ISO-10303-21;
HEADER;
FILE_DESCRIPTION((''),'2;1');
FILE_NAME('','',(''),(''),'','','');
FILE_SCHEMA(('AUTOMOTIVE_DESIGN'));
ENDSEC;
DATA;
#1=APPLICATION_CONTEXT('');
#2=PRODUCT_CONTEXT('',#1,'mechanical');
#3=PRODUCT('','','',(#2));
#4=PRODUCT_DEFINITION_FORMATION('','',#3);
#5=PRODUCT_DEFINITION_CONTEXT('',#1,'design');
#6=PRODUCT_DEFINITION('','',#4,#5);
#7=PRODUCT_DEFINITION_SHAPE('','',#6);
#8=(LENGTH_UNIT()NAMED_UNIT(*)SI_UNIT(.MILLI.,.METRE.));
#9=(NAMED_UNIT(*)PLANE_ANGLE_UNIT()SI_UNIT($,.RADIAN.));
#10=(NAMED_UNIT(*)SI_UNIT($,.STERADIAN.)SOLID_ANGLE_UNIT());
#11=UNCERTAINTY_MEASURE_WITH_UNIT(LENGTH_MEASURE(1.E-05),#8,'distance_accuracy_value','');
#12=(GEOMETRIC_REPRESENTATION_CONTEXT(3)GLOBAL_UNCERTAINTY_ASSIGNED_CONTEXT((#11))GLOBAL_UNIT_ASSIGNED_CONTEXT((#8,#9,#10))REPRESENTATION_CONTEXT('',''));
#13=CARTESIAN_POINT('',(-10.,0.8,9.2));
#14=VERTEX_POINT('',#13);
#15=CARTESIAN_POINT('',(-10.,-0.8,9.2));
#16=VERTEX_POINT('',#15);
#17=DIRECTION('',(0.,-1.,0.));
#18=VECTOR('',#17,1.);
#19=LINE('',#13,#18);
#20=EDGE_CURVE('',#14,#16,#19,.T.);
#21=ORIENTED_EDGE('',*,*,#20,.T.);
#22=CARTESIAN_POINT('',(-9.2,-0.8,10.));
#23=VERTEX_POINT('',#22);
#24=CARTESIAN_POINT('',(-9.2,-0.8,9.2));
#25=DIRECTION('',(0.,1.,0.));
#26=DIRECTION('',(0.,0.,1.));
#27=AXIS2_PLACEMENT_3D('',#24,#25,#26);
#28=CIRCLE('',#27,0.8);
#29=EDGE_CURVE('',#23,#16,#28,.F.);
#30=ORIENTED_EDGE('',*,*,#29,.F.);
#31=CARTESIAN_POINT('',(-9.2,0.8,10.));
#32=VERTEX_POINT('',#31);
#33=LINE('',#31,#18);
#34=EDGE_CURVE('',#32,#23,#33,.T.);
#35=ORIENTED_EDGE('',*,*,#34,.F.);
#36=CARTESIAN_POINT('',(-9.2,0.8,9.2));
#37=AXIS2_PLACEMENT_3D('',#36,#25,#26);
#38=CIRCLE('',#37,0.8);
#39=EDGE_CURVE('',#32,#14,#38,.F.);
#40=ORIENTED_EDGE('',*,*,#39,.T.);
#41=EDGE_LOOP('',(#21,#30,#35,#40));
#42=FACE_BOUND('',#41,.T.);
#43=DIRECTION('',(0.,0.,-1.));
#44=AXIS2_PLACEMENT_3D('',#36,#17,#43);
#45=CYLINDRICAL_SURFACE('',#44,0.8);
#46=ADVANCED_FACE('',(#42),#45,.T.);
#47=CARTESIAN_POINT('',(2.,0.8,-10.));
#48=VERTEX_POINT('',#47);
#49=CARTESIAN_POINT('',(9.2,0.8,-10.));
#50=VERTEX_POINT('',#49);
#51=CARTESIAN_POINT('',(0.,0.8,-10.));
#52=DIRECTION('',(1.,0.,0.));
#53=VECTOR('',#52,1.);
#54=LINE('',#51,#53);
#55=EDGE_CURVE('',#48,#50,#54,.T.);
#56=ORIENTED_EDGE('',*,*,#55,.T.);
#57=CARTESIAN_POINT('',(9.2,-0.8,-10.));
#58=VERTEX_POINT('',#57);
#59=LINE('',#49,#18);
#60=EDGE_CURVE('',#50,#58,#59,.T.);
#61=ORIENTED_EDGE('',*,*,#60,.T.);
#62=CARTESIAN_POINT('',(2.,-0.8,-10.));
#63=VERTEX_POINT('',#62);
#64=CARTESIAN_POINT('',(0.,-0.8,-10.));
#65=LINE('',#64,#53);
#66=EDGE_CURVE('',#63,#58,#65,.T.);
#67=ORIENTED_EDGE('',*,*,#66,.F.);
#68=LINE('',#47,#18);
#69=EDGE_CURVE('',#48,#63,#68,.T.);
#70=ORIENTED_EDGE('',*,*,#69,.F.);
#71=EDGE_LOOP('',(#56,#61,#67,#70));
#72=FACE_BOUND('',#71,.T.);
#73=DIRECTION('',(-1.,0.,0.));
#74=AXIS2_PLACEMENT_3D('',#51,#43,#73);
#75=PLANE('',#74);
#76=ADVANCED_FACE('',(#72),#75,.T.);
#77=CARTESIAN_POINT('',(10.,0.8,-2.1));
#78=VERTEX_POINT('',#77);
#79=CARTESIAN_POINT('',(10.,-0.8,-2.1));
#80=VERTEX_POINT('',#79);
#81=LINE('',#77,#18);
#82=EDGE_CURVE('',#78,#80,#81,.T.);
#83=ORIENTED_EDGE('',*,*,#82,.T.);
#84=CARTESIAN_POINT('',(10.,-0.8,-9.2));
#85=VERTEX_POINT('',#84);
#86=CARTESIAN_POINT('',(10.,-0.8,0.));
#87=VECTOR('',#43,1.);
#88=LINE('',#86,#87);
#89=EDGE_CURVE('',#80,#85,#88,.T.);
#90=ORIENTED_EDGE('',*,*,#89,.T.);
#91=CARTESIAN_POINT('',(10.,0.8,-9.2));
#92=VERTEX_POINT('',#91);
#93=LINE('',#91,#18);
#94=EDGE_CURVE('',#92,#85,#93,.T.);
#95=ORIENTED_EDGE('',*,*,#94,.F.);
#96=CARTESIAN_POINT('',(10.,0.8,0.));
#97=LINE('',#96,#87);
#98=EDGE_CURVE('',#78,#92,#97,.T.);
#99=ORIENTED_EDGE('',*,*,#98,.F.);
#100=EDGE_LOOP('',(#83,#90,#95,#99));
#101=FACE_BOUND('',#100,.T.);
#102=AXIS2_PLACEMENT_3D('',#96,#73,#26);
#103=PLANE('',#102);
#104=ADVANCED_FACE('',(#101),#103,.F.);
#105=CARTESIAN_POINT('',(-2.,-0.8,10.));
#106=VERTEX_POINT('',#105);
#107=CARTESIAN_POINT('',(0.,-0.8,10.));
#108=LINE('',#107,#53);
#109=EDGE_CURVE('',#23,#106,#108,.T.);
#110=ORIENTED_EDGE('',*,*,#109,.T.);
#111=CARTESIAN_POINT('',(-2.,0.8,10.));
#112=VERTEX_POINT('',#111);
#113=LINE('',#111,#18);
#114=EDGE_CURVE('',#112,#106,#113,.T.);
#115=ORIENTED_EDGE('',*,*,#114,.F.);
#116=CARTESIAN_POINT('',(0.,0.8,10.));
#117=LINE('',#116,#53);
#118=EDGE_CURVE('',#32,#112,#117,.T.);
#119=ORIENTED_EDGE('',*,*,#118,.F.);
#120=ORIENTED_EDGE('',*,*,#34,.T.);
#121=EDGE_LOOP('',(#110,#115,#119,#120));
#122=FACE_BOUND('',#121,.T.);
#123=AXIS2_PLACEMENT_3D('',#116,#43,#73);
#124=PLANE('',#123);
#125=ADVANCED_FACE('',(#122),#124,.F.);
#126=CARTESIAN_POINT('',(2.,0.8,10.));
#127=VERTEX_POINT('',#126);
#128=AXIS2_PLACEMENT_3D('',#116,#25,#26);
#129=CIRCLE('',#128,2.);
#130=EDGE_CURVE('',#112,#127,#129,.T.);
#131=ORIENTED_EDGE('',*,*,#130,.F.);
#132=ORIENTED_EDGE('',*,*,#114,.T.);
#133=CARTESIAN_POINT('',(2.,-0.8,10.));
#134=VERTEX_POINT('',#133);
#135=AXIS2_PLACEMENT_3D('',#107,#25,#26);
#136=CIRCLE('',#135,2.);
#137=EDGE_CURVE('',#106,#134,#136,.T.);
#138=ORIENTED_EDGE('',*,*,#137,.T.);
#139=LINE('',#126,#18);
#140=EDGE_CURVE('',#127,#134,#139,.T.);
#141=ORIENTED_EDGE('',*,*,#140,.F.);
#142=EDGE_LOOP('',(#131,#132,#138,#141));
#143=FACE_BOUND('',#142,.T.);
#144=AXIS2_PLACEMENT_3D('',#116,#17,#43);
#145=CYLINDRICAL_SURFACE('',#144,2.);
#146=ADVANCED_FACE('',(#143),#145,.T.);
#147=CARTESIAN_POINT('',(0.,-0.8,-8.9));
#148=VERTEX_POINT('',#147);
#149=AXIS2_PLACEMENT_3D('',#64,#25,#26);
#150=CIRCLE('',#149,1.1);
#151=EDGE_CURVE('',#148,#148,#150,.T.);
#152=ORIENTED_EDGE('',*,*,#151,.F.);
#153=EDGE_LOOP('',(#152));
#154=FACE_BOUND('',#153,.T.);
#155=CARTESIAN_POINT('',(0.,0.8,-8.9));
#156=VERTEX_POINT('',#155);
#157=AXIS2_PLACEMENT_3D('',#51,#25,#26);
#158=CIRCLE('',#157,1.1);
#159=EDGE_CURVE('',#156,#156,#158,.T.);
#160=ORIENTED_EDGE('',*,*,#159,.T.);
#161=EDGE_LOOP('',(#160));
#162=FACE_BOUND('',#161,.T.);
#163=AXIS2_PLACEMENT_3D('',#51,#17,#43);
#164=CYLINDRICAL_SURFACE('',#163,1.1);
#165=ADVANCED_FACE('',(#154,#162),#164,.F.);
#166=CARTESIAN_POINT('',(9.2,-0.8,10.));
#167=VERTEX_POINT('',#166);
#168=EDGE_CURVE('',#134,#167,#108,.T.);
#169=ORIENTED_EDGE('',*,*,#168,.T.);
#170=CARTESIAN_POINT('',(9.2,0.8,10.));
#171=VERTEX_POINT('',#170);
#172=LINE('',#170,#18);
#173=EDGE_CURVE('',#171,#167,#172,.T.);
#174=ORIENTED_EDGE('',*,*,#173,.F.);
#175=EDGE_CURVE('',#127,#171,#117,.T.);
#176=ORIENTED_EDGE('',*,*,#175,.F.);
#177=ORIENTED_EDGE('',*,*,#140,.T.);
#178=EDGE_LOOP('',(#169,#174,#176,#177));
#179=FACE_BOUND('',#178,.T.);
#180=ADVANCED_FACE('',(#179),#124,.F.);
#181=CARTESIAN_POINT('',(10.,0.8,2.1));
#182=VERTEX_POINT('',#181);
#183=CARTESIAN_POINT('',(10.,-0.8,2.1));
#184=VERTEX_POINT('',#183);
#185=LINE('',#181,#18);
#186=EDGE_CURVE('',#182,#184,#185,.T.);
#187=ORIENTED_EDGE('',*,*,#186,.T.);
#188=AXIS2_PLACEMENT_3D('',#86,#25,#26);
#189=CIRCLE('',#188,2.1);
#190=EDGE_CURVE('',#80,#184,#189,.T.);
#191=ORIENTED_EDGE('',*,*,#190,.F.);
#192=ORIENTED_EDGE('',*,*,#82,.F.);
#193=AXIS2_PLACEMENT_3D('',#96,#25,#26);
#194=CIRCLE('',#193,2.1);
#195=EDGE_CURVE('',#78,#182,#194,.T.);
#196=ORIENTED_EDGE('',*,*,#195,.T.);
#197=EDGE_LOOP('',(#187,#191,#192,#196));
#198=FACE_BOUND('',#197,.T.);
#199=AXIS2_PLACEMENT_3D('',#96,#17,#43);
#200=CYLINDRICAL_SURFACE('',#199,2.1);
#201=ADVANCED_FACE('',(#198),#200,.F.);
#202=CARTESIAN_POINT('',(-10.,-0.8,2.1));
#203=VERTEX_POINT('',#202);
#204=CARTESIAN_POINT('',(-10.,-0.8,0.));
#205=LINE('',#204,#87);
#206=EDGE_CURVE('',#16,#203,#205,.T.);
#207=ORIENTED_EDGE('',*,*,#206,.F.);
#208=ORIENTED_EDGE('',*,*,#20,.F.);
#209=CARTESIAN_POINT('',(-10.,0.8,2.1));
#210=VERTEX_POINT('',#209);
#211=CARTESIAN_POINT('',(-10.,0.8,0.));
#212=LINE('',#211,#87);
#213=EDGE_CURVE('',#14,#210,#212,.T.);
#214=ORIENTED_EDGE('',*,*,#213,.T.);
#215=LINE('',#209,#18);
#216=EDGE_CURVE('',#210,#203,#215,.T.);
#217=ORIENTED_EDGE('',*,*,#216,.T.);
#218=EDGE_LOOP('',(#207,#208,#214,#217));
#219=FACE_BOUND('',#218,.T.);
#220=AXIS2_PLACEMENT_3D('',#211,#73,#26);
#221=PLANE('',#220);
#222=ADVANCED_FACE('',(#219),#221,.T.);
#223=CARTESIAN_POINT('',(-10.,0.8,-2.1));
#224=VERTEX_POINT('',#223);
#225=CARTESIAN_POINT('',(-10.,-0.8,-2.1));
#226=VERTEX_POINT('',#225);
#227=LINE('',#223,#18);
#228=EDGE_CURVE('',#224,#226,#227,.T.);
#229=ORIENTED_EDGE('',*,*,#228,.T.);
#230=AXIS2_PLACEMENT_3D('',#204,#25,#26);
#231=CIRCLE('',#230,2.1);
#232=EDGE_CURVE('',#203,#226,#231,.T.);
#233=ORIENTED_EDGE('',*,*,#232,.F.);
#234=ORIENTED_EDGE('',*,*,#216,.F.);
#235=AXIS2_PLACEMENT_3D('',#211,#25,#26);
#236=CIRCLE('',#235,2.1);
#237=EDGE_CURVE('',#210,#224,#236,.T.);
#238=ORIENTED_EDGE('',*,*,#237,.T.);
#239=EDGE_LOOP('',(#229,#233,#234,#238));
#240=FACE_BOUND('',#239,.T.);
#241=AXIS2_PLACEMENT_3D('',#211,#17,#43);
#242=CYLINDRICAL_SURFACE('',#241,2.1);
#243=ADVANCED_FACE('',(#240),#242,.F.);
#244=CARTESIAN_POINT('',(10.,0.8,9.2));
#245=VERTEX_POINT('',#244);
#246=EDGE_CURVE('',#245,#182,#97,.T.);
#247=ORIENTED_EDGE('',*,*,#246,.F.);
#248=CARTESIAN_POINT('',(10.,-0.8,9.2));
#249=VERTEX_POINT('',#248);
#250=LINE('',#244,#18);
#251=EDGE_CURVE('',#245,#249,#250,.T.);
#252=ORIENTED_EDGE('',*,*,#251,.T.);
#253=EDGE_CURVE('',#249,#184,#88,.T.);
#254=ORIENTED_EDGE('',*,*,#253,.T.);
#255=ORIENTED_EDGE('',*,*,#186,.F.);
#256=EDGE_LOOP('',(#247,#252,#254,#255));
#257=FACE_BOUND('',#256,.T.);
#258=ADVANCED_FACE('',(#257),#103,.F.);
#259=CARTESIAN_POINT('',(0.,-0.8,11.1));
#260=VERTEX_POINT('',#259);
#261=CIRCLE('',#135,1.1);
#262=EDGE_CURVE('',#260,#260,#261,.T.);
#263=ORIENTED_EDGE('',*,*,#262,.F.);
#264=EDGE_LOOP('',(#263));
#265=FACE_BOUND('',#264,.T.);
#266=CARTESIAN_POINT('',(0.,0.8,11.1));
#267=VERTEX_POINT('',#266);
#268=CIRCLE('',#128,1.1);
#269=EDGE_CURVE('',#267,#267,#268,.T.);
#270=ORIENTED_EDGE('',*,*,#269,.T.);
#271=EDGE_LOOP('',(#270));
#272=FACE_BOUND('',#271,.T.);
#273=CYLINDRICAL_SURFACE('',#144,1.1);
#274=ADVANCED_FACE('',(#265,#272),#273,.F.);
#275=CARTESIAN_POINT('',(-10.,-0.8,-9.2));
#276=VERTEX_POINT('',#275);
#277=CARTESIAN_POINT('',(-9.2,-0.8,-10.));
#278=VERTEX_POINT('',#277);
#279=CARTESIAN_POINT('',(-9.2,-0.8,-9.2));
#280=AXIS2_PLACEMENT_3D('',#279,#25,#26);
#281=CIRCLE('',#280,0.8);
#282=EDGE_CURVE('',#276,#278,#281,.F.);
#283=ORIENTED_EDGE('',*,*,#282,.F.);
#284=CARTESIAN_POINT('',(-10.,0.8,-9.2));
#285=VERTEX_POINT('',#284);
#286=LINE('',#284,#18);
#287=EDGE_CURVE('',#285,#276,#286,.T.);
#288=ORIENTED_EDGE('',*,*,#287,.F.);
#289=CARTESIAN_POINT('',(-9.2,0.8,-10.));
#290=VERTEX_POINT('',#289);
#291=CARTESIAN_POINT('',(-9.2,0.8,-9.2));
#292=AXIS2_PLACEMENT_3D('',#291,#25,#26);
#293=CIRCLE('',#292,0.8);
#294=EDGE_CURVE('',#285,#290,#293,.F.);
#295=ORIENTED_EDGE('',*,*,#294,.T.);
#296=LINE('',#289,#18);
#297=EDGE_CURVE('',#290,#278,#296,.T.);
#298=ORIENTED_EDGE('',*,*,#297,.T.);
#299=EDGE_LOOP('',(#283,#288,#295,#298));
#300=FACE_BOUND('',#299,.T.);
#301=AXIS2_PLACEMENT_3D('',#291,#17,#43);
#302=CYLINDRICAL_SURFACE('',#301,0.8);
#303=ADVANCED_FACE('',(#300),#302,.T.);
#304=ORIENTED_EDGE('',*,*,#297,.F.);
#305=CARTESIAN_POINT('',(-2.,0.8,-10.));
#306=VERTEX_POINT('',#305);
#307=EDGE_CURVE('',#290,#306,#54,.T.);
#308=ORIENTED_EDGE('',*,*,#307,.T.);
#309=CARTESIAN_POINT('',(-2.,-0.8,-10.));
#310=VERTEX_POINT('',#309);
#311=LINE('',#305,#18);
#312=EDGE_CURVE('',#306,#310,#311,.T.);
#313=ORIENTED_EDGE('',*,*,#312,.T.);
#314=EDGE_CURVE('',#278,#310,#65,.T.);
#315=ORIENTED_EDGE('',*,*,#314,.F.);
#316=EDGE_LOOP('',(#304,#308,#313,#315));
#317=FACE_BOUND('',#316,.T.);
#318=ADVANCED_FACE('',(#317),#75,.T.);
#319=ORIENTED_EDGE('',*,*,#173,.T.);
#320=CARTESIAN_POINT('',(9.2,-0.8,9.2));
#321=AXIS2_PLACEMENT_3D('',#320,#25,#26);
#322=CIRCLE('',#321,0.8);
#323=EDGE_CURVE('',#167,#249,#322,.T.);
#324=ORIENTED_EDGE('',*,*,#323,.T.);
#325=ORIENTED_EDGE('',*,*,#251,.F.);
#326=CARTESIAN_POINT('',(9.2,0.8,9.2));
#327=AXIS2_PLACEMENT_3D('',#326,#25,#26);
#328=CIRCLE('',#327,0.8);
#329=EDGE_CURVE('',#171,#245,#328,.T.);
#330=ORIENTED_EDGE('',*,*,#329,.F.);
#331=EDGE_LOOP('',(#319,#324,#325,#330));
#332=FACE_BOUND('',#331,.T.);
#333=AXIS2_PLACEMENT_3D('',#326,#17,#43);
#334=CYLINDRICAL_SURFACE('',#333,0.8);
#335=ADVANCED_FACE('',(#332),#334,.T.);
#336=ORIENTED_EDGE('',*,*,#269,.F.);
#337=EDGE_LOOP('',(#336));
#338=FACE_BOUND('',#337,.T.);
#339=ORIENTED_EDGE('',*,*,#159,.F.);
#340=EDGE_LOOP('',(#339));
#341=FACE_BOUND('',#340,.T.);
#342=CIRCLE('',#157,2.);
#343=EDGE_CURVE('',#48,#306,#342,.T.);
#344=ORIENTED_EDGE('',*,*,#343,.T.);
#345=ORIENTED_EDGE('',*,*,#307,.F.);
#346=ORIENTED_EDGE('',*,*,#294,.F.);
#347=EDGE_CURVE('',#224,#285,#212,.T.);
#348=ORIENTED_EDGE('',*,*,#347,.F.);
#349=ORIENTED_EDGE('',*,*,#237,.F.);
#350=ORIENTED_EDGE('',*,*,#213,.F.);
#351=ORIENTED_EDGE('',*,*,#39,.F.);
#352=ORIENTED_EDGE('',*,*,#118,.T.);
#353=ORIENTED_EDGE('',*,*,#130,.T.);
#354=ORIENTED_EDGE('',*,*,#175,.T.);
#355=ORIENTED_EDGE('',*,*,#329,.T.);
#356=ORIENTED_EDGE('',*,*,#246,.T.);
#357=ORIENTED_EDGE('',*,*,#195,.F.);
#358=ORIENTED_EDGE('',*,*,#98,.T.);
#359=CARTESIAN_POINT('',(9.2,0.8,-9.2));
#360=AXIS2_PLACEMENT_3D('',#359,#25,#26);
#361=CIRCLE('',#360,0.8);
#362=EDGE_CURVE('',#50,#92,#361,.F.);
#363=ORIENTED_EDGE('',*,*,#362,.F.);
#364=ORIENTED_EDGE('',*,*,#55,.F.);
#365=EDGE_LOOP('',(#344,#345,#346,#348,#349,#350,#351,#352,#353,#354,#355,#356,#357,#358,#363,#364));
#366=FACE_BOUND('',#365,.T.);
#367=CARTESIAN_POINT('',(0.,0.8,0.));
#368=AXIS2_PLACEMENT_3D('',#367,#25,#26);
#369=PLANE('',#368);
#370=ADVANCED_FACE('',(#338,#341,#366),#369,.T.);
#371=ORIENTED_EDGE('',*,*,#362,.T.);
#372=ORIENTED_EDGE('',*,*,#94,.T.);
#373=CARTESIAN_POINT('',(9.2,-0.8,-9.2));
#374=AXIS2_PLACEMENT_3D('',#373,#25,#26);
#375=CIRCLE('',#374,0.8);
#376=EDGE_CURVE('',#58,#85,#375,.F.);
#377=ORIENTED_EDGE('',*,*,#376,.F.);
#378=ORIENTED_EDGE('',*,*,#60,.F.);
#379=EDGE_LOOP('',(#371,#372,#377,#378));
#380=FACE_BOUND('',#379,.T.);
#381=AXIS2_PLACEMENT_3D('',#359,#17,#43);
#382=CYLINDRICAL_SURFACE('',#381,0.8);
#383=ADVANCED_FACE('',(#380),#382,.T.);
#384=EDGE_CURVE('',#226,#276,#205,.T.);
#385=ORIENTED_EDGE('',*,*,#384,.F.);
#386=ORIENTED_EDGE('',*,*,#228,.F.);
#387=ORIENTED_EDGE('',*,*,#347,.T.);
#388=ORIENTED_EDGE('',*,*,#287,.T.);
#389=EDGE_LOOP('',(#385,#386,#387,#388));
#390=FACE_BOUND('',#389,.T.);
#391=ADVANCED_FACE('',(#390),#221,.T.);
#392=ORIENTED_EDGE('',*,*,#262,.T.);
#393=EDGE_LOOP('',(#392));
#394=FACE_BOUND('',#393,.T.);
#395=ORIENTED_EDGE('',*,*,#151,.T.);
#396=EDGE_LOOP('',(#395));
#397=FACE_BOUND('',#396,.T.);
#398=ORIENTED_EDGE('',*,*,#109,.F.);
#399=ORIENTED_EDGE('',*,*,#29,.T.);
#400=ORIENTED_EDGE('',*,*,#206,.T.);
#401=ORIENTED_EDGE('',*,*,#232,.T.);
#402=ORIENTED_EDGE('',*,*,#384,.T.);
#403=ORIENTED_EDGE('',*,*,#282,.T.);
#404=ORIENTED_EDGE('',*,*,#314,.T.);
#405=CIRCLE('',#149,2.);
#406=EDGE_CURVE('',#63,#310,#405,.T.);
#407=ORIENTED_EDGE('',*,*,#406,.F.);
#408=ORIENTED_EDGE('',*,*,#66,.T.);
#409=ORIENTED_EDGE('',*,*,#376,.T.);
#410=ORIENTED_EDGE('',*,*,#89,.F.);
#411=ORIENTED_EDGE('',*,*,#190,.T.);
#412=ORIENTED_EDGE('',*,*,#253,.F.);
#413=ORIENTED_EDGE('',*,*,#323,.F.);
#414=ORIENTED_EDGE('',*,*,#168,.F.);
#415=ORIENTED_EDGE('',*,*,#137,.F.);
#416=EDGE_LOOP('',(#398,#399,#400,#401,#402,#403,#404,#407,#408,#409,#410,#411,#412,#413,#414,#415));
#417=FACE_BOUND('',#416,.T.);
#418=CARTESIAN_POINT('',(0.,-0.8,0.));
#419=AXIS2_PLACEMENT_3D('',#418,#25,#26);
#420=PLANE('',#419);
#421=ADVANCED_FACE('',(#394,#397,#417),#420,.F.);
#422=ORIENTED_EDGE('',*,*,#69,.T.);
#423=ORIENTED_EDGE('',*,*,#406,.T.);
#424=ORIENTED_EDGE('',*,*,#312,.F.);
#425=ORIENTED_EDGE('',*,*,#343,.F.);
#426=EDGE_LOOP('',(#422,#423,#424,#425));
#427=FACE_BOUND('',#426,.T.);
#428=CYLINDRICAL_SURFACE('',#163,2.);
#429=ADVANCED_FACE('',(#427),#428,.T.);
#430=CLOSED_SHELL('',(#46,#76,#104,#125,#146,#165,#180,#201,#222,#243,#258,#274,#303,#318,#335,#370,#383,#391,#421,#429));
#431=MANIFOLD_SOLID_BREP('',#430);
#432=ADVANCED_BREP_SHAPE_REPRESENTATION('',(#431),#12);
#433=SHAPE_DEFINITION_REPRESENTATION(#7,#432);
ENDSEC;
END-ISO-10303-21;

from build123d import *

# Parameters (mm, degrees)
ESQUISSE1_R        = 1.1
BOSS_EXTRU_1_DEPTH = 0.8


with BuildPart() as part:
    # Esquisse1 → Boss.-Extru.1 (new body, symmetric)
    with BuildSketch(Plane(origin=(0, 0, 0), x_dir=(1, 0, 0), z_dir=(0, 1, 0))):
        with BuildLine():
            ThreePointArc((-2, -10), (0, -12), (2, -10))
            Line((2, -10), (9.2, -10))
            ThreePointArc((9.2, -10), (9.765685425, -9.765685425), (10, -9.2))
            Line((10, -9.2), (10, -2.1))
            ThreePointArc((10, -2.1), (7.9, 0), (10, 2.1))
            Line((10, 2.1), (10, 9.2))
            ThreePointArc((10, 9.2), (9.765685425, 9.765685425), (9.2, 10))
            Line((9.2, 10), (2, 10))
            ThreePointArc((2, 10), (0, 12), (-2, 10))
            Line((-2, 10), (-9.2, 10))
            ThreePointArc((-9.2, 10), (-9.765685425, 9.765685425), (-10, 9.2))
            Line((-10, 9.2), (-10, 2.1))
            ThreePointArc((-10, 2.1), (-7.9, 0), (-10, -2.1))
            Line((-10, -2.1), (-10, -9.2))
            ThreePointArc((-10, -9.2), (-9.765685425, -9.765685425), (-9.2, -10))
            Line((-9.2, -10), (-2, -10))
        make_face()
        with Locations((0, -10)):
            Circle(ESQUISSE1_R, mode=Mode.SUBTRACT)
        with Locations((0, 10)):
            Circle(ESQUISSE1_R, mode=Mode.SUBTRACT)
    extrude(amount=BOSS_EXTRU_1_DEPTH, both=True)


solid = part.part
